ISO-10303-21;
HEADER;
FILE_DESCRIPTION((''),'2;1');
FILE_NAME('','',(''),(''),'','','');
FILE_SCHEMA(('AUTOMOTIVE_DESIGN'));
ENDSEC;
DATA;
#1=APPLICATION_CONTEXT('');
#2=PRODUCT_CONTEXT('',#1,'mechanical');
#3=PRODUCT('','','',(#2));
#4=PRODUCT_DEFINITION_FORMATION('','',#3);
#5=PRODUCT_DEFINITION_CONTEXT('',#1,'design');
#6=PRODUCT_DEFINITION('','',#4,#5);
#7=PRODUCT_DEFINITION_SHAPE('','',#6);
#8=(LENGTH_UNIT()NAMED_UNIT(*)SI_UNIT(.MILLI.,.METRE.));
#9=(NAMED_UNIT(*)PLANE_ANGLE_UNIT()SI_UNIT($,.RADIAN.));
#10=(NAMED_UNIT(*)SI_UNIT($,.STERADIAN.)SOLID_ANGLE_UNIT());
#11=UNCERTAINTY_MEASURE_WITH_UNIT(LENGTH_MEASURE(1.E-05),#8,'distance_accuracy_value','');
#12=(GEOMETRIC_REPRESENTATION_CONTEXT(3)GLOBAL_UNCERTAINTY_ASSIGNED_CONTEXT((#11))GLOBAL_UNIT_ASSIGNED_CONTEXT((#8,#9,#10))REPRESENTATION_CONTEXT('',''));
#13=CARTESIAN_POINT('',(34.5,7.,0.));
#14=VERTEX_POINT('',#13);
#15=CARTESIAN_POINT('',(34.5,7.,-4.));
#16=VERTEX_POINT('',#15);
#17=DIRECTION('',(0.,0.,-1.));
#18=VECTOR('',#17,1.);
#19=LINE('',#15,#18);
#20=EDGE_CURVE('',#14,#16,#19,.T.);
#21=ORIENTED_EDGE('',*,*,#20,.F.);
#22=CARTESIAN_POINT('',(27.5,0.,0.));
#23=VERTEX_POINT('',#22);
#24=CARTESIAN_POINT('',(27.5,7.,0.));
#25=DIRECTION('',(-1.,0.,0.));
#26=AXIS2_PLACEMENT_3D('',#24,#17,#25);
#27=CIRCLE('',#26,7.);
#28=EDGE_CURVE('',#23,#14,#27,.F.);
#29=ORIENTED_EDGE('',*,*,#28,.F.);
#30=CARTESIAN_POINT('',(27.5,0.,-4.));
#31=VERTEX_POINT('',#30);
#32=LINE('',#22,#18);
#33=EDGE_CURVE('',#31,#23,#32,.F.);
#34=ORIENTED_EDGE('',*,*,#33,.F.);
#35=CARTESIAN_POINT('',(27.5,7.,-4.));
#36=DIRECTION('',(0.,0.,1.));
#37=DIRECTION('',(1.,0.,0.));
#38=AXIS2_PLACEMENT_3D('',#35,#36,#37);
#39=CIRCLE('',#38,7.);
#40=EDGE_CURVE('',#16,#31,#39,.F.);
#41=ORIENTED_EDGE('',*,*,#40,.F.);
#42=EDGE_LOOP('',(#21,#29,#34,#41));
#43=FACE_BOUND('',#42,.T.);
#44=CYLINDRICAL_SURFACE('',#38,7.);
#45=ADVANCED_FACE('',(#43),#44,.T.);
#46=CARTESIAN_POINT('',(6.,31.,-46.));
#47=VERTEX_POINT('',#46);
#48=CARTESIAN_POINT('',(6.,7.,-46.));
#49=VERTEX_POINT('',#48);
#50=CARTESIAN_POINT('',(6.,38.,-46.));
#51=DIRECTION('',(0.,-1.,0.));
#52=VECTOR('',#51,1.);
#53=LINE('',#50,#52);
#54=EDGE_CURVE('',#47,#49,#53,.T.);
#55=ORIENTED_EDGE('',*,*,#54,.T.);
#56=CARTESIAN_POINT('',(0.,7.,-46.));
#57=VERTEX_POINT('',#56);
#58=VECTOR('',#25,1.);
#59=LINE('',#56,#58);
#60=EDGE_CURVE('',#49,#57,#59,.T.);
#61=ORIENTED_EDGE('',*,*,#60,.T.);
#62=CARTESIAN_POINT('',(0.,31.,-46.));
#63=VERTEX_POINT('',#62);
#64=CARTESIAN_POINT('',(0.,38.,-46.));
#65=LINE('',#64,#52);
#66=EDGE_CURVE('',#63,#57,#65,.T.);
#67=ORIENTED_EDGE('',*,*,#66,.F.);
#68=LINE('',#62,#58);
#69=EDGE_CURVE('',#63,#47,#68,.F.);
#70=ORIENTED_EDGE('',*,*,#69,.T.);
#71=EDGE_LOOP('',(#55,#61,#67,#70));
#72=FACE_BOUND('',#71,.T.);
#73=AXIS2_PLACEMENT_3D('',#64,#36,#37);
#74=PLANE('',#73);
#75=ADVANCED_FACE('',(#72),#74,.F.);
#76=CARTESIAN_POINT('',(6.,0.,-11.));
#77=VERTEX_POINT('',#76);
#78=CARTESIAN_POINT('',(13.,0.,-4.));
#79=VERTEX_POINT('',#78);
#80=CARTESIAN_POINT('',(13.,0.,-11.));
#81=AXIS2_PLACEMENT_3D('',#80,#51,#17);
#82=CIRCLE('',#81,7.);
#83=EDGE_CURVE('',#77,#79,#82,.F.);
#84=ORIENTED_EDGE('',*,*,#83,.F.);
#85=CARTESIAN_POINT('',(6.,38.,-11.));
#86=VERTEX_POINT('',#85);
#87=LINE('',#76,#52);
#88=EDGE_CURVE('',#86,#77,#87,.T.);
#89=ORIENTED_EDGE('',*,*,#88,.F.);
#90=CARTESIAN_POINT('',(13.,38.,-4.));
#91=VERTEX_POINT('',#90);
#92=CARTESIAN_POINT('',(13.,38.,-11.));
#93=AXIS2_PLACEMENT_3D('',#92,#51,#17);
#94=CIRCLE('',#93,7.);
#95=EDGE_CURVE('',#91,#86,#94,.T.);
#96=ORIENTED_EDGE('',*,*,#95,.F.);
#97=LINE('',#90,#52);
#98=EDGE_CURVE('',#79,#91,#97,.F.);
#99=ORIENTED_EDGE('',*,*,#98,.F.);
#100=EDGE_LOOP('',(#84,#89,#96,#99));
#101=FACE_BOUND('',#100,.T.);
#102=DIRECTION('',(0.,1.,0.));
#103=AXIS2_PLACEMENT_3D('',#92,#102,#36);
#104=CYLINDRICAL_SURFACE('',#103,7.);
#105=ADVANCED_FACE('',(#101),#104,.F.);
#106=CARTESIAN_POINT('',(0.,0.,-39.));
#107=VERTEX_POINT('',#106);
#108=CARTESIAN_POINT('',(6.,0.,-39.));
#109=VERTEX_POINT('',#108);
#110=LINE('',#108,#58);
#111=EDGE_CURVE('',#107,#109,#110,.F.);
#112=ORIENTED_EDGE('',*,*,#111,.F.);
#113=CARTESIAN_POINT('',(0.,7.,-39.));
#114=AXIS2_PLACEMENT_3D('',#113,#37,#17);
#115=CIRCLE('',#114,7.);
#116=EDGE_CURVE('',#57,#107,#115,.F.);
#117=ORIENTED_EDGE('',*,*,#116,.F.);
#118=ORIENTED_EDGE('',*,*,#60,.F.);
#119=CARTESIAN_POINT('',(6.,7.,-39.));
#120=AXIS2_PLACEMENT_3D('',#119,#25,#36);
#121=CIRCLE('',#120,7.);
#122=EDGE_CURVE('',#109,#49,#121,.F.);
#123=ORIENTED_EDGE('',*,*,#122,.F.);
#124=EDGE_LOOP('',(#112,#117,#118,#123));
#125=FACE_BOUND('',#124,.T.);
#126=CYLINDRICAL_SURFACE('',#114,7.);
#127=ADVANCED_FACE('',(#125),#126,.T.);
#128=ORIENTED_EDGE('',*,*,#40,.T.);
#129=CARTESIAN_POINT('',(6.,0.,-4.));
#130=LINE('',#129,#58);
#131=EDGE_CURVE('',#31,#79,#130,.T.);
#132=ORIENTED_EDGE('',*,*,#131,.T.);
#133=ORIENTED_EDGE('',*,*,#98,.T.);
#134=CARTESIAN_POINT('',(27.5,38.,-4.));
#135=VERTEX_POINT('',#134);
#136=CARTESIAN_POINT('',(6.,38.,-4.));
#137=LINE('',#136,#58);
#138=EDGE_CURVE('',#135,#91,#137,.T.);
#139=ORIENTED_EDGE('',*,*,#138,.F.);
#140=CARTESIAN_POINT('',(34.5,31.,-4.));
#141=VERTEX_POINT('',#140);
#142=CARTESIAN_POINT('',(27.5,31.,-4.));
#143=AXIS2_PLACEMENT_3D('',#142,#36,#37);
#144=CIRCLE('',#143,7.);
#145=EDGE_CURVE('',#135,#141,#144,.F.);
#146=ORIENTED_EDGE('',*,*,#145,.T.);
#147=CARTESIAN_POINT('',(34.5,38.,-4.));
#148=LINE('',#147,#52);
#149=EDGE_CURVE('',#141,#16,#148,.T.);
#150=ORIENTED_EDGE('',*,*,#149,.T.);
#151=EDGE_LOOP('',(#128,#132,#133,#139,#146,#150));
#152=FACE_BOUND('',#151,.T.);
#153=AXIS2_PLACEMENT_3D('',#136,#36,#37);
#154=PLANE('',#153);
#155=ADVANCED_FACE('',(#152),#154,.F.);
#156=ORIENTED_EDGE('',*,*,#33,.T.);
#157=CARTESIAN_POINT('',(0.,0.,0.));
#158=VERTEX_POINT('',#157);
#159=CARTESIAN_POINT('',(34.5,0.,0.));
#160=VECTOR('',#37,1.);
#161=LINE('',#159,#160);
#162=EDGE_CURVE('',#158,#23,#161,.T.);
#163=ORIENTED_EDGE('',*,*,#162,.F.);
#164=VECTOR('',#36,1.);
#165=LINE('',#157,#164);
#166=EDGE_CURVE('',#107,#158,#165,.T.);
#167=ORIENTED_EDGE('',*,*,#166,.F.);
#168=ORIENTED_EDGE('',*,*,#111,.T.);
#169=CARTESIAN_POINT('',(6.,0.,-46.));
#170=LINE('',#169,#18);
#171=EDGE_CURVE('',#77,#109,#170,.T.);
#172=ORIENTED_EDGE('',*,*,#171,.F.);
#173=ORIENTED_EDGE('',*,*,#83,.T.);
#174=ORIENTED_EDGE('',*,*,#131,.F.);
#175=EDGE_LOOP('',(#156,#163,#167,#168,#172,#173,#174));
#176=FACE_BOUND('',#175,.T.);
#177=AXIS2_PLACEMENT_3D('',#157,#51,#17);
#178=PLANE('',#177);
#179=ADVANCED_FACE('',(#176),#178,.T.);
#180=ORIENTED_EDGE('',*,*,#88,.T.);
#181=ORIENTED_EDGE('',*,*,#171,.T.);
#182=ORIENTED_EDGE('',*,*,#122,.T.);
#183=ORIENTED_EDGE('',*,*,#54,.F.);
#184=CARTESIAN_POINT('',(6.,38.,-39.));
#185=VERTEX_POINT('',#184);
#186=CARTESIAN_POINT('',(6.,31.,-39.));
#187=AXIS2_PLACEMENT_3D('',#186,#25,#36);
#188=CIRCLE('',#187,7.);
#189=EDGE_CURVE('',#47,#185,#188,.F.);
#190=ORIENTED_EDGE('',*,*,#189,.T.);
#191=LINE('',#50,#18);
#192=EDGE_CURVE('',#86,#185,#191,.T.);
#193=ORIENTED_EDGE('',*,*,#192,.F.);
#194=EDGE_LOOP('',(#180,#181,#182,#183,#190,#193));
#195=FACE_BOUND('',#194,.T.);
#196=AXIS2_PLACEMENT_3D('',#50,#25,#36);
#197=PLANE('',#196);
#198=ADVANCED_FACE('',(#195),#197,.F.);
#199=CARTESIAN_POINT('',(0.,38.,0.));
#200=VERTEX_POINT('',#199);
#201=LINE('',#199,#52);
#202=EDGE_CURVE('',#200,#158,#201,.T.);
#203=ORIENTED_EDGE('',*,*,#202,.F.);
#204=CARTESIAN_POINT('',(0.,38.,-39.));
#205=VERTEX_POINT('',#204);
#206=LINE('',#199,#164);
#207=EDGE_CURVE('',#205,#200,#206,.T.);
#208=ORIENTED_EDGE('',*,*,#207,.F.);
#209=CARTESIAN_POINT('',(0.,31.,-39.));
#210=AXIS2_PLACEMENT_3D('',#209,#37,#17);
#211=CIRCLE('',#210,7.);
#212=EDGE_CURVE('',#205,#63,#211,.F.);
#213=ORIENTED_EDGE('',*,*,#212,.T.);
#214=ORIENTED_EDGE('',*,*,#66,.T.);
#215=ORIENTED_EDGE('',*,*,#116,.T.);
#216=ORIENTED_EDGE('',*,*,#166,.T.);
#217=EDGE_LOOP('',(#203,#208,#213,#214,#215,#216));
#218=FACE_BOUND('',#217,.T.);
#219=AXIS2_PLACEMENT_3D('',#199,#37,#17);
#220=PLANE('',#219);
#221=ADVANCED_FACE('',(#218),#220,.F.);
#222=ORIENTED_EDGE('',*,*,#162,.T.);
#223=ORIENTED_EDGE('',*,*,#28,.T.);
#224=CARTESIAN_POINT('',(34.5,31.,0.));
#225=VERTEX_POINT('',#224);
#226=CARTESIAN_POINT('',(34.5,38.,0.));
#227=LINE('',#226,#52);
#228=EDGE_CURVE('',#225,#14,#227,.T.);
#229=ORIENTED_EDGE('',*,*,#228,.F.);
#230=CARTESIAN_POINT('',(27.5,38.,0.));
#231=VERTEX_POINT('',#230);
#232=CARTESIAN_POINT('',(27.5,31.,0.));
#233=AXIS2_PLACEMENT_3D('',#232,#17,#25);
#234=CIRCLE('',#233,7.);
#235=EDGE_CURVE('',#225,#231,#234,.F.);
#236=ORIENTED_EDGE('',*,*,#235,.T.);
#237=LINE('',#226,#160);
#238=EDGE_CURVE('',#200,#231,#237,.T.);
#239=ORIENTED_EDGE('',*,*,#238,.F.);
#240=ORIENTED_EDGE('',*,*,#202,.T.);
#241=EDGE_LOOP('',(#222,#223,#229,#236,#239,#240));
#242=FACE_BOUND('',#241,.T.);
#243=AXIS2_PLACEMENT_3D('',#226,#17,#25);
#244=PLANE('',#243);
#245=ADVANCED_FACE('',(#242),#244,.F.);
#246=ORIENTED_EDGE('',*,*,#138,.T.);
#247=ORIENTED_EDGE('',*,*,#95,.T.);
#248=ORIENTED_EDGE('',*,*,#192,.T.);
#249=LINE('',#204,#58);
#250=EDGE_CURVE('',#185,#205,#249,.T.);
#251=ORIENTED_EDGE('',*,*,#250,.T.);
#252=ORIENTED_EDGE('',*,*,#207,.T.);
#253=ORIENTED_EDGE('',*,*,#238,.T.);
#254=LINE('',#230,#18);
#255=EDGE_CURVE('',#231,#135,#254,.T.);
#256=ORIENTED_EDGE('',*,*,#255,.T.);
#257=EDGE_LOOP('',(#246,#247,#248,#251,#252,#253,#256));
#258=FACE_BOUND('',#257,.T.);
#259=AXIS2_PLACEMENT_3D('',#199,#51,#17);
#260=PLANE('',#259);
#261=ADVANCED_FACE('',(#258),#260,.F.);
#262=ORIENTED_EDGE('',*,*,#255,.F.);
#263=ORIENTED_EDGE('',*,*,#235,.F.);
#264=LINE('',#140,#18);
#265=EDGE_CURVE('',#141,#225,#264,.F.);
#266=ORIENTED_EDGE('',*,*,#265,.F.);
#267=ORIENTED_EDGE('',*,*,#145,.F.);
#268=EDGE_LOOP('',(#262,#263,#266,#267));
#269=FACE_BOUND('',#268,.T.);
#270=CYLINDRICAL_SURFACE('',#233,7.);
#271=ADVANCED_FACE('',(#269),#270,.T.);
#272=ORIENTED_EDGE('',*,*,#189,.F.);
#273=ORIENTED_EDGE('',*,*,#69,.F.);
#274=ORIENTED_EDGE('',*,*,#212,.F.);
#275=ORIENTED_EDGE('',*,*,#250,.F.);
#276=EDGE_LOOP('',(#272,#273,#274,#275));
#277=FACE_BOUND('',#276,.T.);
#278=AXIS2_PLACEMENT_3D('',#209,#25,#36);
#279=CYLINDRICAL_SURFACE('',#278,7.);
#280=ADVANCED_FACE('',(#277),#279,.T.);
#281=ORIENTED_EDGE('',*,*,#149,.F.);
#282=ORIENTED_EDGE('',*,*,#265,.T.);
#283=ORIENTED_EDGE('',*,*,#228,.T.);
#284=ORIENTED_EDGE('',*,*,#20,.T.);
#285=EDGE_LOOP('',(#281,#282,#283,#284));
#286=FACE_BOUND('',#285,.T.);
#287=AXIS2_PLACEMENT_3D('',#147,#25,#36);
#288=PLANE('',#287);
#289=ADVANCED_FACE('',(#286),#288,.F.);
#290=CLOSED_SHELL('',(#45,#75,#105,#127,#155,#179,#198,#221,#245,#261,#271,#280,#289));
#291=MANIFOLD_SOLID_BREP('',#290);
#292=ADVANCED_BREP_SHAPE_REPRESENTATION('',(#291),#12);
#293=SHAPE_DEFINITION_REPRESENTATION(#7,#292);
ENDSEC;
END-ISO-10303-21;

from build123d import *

# Parameters (mm, degrees)
BOSS_EXTRUDE1_DEPTH = 38
FILLET2_R           = 7


with BuildPart() as part:
    # Sketch1 → Boss-Extrude1 (new body)
    with BuildSketch(Plane(origin=(0, 0, 0), x_dir=(1, 0, 0), z_dir=(0, 1, 0))):
        Polygon((0, 0), (0, 46), (6, 46), (6, 4), (34.5, 4), (34.5, 0), align=None)
    extrude(amount=BOSS_EXTRUDE1_DEPTH)

    # Fillet2
    fillet2_edges = [part.edges().sort_by_distance(p)[0] for p in [
        (6, 19, -4),
        (3, 38, -46),
        (3, 0, -46),
        (34.5, 0, -2),
        (34.5, 38, -2),
    ]]
    fillet(fillet2_edges, radius=FILLET2_R)


solid = part.part
